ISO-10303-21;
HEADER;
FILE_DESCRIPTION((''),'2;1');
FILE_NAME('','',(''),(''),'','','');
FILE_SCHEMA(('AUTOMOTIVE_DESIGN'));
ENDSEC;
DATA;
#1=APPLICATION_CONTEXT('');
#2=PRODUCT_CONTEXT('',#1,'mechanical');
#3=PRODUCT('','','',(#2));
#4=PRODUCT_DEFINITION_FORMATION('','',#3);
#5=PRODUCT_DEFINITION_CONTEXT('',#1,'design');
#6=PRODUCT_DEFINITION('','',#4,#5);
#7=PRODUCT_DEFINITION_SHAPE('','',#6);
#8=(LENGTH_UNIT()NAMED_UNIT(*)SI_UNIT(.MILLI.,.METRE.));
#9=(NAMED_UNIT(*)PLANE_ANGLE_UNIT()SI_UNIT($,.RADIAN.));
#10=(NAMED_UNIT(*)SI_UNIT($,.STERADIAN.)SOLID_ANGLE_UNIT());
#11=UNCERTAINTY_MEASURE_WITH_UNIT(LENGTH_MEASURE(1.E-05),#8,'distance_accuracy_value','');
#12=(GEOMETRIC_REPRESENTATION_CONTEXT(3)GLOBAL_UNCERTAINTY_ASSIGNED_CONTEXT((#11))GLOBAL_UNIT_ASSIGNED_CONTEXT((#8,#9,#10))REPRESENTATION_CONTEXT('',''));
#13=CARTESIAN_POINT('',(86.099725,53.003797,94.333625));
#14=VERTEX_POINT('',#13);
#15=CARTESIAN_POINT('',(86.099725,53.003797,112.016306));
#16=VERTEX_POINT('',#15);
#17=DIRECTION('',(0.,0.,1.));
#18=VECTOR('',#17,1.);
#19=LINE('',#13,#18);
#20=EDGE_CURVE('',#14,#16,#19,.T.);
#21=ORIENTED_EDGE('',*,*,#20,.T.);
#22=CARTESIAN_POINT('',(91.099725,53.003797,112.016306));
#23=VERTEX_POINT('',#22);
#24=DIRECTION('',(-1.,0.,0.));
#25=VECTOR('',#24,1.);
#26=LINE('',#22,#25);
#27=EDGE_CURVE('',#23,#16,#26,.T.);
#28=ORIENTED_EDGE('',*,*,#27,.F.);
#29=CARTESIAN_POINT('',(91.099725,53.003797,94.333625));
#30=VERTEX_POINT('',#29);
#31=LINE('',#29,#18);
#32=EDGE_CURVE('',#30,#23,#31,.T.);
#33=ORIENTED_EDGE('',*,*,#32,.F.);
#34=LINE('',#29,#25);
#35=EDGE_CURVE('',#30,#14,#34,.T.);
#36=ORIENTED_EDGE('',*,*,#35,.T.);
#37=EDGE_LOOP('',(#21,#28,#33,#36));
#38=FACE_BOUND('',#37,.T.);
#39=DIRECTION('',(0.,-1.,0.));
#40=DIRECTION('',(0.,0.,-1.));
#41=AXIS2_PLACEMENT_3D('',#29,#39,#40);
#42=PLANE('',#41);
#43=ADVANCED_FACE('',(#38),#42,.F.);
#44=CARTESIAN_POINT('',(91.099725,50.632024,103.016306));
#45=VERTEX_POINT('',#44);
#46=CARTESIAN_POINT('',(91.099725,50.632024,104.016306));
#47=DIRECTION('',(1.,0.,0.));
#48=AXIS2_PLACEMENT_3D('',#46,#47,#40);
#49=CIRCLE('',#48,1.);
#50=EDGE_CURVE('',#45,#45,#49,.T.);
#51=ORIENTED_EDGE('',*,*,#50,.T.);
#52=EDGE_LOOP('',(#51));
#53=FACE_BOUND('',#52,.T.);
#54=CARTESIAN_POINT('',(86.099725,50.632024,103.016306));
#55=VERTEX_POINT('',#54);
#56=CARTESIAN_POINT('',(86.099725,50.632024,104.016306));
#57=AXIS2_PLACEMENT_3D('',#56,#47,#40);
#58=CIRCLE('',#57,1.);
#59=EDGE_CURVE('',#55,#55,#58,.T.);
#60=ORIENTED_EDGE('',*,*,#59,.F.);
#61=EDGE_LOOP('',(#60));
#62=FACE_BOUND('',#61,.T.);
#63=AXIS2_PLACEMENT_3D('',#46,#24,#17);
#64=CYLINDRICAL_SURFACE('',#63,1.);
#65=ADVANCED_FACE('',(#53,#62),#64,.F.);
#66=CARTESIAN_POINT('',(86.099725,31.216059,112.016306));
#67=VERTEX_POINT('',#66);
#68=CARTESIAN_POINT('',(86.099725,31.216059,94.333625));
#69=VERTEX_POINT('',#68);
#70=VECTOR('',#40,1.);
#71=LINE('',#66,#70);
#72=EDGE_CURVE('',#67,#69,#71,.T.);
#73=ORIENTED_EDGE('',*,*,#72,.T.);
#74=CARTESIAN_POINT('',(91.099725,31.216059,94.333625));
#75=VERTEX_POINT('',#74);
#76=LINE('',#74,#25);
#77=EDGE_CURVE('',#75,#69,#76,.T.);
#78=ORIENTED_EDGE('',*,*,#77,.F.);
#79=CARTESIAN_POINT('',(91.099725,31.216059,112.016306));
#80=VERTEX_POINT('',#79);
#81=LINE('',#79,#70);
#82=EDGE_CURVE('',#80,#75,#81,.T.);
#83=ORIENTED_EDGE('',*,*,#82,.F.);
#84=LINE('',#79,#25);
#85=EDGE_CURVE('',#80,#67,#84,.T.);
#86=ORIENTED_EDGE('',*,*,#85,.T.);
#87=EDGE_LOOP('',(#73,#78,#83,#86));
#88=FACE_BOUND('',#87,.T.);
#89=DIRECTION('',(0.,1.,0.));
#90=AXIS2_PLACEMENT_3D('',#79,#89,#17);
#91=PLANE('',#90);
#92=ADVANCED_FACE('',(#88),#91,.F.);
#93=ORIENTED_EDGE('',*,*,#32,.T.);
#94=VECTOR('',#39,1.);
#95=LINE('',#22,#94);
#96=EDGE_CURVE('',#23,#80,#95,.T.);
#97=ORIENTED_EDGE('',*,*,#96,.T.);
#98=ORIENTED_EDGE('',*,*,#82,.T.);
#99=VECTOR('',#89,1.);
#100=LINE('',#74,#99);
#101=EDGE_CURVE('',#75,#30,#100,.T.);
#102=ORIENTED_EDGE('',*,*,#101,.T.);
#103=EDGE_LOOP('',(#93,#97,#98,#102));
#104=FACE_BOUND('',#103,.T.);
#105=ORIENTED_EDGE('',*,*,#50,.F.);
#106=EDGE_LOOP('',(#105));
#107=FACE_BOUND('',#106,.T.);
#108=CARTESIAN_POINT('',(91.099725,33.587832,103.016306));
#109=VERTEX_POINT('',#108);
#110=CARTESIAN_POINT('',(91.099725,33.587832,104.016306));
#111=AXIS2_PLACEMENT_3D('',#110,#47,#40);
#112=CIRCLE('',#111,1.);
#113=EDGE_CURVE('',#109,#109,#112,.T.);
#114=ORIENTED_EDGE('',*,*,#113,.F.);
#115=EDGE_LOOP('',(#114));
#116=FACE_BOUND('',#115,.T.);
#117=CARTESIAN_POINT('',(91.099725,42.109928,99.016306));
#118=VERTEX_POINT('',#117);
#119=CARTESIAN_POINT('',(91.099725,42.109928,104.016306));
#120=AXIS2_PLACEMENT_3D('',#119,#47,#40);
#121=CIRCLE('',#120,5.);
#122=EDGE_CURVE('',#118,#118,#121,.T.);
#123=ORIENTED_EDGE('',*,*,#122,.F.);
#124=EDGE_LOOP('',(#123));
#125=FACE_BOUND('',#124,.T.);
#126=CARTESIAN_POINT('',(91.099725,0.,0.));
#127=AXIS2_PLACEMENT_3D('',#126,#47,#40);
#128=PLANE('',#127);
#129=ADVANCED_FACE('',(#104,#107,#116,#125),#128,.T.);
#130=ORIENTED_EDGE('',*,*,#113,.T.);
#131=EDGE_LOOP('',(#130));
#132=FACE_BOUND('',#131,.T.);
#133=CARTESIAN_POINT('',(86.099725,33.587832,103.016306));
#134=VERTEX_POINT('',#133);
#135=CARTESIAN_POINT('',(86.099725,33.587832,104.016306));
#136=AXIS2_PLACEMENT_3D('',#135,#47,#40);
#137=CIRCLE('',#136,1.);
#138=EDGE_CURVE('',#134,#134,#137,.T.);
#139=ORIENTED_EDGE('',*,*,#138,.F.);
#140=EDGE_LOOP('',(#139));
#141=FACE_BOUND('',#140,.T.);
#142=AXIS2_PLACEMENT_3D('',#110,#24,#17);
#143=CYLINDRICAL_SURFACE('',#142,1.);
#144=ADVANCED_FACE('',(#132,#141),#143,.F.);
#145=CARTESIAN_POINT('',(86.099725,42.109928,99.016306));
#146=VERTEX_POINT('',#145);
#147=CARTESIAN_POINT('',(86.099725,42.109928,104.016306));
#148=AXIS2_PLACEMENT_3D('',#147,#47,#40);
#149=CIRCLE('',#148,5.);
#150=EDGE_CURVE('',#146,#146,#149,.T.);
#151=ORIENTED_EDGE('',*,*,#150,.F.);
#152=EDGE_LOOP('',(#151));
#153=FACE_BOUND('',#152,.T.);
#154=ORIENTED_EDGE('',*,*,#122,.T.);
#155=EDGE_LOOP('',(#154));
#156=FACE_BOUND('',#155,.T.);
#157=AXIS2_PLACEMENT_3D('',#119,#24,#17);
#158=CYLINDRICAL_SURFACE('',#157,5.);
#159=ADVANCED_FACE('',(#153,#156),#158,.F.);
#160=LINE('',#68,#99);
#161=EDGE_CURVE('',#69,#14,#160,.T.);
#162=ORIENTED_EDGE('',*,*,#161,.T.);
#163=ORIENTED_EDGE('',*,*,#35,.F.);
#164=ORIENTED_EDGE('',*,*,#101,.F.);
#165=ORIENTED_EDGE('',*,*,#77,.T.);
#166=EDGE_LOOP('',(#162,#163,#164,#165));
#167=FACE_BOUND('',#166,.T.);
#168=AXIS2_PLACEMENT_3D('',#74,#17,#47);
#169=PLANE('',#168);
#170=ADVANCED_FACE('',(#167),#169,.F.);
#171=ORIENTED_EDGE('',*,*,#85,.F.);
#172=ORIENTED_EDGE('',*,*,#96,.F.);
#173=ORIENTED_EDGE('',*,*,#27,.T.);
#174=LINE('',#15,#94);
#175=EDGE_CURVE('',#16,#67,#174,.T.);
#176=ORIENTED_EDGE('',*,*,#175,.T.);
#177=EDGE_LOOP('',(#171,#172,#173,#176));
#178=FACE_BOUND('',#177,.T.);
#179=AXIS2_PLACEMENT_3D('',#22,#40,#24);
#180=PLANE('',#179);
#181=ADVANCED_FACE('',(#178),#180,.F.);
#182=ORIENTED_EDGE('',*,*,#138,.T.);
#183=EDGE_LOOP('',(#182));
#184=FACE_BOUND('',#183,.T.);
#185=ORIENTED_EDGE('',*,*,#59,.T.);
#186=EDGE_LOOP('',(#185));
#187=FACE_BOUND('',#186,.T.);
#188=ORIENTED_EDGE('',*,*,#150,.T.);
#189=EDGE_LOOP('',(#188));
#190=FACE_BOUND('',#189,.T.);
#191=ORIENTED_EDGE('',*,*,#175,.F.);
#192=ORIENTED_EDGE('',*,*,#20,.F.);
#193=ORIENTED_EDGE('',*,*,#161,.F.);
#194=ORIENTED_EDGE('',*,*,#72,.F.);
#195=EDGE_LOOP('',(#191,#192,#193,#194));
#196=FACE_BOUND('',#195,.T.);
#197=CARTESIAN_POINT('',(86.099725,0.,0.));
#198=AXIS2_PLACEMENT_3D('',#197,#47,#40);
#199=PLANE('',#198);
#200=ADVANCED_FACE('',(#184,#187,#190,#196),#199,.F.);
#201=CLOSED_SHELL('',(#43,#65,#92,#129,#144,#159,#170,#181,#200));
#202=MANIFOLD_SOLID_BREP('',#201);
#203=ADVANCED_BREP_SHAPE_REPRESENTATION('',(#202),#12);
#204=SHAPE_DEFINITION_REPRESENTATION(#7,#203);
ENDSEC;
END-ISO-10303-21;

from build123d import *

# Parameters (mm, degrees)
SKETCH1_W           = 17.68268103
SKETCH1_H           = 21.787737723
SKETCH1_R           = 5
SKETCH1_R_2         = 1
BOSS_EXTRUDE1_DEPTH = 5


with BuildPart() as part:
    # Sketch1 → Boss-Extrude1 (new body)
    with BuildSketch(Plane(origin=(86.099724888, 0, 0), x_dir=(0, 0, -1), z_dir=(1, 0, 0))):
        with Locations((-103.174965701, 42.109927869)):
            Rectangle(SKETCH1_W, SKETCH1_H)
        with Locations((-104.016306216, 42.109927869)):
            Circle(SKETCH1_R, mode=Mode.SUBTRACT)
        with Locations((-104.016306216, 50.63202404)):
            Circle(SKETCH1_R_2, mode=Mode.SUBTRACT)
        with Locations((-104.016306216, 33.587831698)):
            Circle(SKETCH1_R_2, mode=Mode.SUBTRACT)
    extrude(amount=BOSS_EXTRUDE1_DEPTH)


solid = part.part
